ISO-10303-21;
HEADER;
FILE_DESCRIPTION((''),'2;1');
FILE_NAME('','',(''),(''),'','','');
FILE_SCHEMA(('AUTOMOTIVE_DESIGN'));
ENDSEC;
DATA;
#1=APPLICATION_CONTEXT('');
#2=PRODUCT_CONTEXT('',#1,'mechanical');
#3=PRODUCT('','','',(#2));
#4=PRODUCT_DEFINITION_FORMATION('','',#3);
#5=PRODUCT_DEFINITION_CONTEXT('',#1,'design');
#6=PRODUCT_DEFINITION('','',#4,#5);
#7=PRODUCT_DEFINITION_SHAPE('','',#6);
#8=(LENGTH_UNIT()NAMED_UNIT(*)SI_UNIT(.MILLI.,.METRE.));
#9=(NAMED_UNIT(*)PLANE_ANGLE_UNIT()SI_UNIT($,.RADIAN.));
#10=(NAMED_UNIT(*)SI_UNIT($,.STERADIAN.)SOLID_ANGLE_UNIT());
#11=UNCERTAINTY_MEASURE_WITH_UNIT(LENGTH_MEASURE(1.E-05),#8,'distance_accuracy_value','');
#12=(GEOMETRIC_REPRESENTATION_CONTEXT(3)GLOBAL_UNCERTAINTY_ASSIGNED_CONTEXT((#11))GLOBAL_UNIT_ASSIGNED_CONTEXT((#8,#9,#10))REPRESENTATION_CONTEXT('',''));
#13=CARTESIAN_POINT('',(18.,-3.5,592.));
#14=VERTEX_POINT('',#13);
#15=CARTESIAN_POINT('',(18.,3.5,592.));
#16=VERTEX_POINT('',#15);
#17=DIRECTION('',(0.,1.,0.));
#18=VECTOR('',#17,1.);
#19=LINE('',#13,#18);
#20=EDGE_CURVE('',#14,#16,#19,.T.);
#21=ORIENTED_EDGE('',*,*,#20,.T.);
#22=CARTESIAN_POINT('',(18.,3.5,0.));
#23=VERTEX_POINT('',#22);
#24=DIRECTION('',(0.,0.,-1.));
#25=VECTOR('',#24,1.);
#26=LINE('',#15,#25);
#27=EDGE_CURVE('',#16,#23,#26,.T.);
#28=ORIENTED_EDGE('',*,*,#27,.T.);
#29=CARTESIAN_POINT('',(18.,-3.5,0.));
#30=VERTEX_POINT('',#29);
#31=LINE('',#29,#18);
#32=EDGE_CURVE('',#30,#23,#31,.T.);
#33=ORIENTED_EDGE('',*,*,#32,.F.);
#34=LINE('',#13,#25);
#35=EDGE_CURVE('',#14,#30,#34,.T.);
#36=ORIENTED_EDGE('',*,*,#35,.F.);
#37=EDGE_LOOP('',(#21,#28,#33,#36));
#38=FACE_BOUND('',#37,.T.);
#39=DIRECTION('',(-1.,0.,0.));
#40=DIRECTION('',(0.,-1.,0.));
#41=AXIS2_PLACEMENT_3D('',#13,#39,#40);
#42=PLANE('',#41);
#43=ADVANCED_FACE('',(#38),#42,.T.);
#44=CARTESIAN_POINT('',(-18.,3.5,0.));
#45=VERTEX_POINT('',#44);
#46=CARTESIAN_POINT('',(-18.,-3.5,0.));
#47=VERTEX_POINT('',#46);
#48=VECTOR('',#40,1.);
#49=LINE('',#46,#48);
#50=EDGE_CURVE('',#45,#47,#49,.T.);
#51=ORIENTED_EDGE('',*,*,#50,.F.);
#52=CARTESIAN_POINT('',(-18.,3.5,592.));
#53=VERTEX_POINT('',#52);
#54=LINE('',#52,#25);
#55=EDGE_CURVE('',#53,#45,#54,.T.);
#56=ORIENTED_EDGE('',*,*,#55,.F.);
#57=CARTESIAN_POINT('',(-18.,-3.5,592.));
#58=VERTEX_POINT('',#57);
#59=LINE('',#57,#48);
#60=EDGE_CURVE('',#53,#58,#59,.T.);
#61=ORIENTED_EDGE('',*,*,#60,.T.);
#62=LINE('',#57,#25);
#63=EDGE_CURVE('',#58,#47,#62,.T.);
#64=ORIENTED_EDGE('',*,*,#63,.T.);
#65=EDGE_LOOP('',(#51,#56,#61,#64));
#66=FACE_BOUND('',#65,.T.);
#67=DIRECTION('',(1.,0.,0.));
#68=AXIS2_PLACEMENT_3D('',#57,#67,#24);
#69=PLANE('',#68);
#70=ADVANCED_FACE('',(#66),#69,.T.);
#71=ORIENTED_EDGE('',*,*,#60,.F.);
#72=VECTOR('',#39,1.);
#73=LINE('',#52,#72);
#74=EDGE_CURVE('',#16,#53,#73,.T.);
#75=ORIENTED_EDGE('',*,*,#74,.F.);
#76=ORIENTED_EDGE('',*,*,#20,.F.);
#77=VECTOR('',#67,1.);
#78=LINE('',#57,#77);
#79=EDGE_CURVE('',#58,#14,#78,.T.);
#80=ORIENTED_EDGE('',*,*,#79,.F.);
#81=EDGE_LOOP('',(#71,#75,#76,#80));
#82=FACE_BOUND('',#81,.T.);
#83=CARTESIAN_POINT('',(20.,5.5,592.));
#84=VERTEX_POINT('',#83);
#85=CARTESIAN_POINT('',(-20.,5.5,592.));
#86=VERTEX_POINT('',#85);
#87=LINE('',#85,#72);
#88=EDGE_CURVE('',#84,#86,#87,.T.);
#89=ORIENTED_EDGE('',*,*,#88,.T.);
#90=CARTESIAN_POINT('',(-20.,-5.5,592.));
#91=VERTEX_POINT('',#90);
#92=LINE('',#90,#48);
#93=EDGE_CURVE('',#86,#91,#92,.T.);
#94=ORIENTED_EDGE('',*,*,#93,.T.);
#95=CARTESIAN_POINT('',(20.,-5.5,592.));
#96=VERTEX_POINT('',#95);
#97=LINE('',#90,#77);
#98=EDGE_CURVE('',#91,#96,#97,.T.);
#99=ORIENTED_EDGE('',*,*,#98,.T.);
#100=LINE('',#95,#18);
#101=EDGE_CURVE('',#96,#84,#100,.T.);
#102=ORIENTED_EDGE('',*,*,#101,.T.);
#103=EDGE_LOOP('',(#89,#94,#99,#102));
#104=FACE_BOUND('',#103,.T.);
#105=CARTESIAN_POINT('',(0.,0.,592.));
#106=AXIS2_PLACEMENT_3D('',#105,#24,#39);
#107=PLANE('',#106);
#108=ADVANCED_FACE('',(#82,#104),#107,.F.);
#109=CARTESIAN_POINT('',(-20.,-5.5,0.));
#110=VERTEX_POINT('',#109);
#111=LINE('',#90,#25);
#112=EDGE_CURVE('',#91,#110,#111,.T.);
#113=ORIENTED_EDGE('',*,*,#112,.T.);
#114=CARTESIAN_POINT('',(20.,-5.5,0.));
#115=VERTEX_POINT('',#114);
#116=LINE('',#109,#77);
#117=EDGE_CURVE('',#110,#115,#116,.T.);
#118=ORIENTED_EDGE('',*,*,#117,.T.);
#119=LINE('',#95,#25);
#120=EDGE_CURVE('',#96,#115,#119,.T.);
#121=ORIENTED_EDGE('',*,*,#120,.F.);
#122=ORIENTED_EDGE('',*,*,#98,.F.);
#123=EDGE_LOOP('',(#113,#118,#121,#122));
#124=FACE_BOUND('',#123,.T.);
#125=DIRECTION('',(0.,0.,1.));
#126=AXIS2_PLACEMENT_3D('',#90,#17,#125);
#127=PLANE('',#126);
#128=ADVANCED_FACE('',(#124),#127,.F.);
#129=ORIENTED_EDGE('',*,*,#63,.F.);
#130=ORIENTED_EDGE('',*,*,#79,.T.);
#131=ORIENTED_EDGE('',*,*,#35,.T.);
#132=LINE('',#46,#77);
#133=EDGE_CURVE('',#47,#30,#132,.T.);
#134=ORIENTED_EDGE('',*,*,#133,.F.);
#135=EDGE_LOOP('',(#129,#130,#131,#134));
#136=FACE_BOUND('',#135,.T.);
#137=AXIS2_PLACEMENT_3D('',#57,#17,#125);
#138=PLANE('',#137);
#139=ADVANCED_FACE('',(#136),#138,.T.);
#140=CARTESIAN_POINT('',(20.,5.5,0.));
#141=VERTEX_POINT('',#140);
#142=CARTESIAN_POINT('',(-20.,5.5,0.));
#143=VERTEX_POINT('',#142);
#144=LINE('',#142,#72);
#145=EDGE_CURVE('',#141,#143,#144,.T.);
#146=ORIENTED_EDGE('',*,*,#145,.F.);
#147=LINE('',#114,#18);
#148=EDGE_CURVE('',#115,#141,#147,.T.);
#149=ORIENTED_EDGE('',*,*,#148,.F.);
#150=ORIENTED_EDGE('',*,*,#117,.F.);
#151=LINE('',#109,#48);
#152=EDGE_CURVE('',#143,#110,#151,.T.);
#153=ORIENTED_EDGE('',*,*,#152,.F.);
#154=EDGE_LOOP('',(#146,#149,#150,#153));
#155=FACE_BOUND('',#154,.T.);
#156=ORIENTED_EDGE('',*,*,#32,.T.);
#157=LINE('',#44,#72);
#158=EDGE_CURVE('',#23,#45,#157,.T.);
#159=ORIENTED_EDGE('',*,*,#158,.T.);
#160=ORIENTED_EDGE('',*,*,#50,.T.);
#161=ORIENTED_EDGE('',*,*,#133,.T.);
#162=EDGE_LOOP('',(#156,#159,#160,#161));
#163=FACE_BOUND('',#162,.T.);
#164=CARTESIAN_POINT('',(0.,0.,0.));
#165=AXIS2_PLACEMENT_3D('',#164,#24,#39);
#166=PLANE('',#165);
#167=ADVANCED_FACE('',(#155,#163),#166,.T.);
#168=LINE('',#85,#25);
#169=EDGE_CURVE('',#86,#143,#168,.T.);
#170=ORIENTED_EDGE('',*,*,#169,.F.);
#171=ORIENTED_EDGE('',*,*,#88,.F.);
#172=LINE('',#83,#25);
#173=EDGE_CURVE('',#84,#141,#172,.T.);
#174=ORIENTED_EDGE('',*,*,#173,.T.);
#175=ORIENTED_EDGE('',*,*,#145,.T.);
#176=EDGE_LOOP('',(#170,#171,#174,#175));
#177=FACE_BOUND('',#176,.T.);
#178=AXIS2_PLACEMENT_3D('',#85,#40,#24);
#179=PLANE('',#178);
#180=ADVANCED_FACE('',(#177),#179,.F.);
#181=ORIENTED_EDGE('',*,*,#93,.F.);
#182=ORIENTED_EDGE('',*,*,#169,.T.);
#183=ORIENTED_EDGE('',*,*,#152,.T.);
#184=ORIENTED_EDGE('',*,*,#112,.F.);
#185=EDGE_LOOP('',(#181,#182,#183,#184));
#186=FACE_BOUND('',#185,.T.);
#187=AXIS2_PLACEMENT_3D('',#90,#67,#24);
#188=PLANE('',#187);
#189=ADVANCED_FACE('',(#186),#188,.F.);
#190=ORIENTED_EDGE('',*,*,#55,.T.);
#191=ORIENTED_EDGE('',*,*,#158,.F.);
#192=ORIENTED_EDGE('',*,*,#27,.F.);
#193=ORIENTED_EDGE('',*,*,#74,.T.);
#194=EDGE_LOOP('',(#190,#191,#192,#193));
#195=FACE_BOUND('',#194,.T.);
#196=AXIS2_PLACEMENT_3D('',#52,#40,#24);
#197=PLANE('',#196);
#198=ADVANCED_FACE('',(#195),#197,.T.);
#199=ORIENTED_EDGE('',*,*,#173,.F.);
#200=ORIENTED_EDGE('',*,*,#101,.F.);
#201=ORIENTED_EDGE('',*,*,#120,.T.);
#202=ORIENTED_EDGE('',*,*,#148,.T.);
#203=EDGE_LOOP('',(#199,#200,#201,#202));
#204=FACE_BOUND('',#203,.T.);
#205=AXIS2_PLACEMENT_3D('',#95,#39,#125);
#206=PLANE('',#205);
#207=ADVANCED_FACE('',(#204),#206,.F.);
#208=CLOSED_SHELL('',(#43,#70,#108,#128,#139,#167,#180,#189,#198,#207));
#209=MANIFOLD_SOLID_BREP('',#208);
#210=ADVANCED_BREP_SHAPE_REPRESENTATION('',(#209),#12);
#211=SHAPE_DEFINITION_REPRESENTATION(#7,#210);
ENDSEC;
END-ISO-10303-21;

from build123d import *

# Parameters (mm, degrees)
SKETCH1_W           = 40
SKETCH1_H           = 11
SKETCH1_W_2         = 36
SKETCH1_H_2         = 7
BOSS_EXTRUDE1_DEPTH = 592


with BuildPart() as part:
    # Sketch1 → Boss-Extrude1 (new body)
    with BuildSketch(Plane.XY):
        Rectangle(SKETCH1_W, SKETCH1_H)
        Rectangle(SKETCH1_W_2, SKETCH1_H_2, mode=Mode.SUBTRACT)
    extrude(amount=BOSS_EXTRUDE1_DEPTH)


solid = part.part
